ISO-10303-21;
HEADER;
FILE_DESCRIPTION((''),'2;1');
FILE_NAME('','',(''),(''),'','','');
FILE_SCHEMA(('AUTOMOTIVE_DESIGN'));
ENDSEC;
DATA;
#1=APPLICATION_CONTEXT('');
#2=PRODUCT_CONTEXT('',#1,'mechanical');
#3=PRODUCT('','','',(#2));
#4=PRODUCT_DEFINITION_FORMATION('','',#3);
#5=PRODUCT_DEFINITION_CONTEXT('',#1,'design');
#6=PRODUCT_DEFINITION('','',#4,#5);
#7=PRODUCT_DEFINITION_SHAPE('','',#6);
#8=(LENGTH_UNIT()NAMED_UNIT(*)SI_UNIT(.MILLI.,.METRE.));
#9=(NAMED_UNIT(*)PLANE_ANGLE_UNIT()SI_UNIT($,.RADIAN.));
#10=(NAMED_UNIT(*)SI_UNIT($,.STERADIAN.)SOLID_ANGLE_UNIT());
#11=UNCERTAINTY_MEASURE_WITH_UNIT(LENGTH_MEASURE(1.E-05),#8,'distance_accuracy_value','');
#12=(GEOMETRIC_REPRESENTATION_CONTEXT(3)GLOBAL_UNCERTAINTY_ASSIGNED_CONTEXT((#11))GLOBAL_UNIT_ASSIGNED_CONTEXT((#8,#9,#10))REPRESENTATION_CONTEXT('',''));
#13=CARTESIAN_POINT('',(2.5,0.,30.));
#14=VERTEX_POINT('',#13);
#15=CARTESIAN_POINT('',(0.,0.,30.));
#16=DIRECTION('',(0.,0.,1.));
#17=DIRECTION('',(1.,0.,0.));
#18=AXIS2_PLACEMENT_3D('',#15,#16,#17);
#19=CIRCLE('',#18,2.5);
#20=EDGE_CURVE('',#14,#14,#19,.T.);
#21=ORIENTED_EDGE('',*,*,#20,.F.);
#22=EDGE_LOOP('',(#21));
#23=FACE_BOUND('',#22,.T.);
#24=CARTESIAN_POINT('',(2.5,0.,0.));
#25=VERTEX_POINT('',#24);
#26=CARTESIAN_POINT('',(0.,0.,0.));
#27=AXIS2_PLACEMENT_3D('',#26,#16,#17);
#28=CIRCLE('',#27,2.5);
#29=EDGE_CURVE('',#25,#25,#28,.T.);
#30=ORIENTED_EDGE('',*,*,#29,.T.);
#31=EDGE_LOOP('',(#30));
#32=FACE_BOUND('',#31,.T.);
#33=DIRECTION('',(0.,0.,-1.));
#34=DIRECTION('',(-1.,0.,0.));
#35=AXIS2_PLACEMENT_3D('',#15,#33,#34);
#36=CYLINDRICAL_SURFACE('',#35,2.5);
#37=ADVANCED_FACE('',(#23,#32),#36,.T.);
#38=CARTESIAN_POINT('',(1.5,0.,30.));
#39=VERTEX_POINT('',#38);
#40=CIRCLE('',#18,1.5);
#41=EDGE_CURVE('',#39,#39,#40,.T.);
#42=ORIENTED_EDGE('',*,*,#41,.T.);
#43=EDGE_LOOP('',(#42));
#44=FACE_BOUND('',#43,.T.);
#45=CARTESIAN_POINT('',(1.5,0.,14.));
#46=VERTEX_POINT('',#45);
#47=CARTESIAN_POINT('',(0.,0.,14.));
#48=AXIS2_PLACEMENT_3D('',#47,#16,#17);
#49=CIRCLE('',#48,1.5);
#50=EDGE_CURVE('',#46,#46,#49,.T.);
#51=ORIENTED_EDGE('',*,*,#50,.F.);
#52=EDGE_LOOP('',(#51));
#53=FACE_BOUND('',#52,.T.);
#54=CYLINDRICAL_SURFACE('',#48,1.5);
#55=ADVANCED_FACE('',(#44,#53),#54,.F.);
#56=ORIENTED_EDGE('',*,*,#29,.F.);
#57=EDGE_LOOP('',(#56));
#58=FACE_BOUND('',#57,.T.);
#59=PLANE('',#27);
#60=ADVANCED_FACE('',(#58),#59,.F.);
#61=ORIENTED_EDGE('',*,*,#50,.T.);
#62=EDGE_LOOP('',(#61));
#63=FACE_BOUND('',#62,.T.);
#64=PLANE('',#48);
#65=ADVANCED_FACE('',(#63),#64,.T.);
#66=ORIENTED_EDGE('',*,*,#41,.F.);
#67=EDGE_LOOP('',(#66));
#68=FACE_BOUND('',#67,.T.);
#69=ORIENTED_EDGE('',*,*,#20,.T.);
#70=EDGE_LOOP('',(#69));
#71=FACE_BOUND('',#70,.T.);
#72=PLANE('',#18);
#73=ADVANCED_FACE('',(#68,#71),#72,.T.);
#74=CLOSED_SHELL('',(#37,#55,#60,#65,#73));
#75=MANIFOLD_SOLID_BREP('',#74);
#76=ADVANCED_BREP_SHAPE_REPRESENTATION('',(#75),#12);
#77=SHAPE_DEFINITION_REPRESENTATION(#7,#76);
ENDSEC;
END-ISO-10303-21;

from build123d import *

# Parameters (mm, degrees)
SKETCH1_R           = 2.5
BOSS_EXTRUDE1_DEPTH = 30
SKETCH2_R           = 1.5
CUT_EXTRUDE1_DEPTH  = 16


with BuildPart() as part:
    # Sketch1 → Boss-Extrude1 (new body)
    with BuildSketch(Plane.XY):
        Circle(SKETCH1_R)
    extrude(amount=BOSS_EXTRUDE1_DEPTH)

    # Sketch2 → Cut-Extrude1 (cut)
    with BuildSketch(Plane.XY.offset(30)):
        Circle(SKETCH2_R)
    extrude(amount=-CUT_EXTRUDE1_DEPTH, mode=Mode.SUBTRACT)


solid = part.part
